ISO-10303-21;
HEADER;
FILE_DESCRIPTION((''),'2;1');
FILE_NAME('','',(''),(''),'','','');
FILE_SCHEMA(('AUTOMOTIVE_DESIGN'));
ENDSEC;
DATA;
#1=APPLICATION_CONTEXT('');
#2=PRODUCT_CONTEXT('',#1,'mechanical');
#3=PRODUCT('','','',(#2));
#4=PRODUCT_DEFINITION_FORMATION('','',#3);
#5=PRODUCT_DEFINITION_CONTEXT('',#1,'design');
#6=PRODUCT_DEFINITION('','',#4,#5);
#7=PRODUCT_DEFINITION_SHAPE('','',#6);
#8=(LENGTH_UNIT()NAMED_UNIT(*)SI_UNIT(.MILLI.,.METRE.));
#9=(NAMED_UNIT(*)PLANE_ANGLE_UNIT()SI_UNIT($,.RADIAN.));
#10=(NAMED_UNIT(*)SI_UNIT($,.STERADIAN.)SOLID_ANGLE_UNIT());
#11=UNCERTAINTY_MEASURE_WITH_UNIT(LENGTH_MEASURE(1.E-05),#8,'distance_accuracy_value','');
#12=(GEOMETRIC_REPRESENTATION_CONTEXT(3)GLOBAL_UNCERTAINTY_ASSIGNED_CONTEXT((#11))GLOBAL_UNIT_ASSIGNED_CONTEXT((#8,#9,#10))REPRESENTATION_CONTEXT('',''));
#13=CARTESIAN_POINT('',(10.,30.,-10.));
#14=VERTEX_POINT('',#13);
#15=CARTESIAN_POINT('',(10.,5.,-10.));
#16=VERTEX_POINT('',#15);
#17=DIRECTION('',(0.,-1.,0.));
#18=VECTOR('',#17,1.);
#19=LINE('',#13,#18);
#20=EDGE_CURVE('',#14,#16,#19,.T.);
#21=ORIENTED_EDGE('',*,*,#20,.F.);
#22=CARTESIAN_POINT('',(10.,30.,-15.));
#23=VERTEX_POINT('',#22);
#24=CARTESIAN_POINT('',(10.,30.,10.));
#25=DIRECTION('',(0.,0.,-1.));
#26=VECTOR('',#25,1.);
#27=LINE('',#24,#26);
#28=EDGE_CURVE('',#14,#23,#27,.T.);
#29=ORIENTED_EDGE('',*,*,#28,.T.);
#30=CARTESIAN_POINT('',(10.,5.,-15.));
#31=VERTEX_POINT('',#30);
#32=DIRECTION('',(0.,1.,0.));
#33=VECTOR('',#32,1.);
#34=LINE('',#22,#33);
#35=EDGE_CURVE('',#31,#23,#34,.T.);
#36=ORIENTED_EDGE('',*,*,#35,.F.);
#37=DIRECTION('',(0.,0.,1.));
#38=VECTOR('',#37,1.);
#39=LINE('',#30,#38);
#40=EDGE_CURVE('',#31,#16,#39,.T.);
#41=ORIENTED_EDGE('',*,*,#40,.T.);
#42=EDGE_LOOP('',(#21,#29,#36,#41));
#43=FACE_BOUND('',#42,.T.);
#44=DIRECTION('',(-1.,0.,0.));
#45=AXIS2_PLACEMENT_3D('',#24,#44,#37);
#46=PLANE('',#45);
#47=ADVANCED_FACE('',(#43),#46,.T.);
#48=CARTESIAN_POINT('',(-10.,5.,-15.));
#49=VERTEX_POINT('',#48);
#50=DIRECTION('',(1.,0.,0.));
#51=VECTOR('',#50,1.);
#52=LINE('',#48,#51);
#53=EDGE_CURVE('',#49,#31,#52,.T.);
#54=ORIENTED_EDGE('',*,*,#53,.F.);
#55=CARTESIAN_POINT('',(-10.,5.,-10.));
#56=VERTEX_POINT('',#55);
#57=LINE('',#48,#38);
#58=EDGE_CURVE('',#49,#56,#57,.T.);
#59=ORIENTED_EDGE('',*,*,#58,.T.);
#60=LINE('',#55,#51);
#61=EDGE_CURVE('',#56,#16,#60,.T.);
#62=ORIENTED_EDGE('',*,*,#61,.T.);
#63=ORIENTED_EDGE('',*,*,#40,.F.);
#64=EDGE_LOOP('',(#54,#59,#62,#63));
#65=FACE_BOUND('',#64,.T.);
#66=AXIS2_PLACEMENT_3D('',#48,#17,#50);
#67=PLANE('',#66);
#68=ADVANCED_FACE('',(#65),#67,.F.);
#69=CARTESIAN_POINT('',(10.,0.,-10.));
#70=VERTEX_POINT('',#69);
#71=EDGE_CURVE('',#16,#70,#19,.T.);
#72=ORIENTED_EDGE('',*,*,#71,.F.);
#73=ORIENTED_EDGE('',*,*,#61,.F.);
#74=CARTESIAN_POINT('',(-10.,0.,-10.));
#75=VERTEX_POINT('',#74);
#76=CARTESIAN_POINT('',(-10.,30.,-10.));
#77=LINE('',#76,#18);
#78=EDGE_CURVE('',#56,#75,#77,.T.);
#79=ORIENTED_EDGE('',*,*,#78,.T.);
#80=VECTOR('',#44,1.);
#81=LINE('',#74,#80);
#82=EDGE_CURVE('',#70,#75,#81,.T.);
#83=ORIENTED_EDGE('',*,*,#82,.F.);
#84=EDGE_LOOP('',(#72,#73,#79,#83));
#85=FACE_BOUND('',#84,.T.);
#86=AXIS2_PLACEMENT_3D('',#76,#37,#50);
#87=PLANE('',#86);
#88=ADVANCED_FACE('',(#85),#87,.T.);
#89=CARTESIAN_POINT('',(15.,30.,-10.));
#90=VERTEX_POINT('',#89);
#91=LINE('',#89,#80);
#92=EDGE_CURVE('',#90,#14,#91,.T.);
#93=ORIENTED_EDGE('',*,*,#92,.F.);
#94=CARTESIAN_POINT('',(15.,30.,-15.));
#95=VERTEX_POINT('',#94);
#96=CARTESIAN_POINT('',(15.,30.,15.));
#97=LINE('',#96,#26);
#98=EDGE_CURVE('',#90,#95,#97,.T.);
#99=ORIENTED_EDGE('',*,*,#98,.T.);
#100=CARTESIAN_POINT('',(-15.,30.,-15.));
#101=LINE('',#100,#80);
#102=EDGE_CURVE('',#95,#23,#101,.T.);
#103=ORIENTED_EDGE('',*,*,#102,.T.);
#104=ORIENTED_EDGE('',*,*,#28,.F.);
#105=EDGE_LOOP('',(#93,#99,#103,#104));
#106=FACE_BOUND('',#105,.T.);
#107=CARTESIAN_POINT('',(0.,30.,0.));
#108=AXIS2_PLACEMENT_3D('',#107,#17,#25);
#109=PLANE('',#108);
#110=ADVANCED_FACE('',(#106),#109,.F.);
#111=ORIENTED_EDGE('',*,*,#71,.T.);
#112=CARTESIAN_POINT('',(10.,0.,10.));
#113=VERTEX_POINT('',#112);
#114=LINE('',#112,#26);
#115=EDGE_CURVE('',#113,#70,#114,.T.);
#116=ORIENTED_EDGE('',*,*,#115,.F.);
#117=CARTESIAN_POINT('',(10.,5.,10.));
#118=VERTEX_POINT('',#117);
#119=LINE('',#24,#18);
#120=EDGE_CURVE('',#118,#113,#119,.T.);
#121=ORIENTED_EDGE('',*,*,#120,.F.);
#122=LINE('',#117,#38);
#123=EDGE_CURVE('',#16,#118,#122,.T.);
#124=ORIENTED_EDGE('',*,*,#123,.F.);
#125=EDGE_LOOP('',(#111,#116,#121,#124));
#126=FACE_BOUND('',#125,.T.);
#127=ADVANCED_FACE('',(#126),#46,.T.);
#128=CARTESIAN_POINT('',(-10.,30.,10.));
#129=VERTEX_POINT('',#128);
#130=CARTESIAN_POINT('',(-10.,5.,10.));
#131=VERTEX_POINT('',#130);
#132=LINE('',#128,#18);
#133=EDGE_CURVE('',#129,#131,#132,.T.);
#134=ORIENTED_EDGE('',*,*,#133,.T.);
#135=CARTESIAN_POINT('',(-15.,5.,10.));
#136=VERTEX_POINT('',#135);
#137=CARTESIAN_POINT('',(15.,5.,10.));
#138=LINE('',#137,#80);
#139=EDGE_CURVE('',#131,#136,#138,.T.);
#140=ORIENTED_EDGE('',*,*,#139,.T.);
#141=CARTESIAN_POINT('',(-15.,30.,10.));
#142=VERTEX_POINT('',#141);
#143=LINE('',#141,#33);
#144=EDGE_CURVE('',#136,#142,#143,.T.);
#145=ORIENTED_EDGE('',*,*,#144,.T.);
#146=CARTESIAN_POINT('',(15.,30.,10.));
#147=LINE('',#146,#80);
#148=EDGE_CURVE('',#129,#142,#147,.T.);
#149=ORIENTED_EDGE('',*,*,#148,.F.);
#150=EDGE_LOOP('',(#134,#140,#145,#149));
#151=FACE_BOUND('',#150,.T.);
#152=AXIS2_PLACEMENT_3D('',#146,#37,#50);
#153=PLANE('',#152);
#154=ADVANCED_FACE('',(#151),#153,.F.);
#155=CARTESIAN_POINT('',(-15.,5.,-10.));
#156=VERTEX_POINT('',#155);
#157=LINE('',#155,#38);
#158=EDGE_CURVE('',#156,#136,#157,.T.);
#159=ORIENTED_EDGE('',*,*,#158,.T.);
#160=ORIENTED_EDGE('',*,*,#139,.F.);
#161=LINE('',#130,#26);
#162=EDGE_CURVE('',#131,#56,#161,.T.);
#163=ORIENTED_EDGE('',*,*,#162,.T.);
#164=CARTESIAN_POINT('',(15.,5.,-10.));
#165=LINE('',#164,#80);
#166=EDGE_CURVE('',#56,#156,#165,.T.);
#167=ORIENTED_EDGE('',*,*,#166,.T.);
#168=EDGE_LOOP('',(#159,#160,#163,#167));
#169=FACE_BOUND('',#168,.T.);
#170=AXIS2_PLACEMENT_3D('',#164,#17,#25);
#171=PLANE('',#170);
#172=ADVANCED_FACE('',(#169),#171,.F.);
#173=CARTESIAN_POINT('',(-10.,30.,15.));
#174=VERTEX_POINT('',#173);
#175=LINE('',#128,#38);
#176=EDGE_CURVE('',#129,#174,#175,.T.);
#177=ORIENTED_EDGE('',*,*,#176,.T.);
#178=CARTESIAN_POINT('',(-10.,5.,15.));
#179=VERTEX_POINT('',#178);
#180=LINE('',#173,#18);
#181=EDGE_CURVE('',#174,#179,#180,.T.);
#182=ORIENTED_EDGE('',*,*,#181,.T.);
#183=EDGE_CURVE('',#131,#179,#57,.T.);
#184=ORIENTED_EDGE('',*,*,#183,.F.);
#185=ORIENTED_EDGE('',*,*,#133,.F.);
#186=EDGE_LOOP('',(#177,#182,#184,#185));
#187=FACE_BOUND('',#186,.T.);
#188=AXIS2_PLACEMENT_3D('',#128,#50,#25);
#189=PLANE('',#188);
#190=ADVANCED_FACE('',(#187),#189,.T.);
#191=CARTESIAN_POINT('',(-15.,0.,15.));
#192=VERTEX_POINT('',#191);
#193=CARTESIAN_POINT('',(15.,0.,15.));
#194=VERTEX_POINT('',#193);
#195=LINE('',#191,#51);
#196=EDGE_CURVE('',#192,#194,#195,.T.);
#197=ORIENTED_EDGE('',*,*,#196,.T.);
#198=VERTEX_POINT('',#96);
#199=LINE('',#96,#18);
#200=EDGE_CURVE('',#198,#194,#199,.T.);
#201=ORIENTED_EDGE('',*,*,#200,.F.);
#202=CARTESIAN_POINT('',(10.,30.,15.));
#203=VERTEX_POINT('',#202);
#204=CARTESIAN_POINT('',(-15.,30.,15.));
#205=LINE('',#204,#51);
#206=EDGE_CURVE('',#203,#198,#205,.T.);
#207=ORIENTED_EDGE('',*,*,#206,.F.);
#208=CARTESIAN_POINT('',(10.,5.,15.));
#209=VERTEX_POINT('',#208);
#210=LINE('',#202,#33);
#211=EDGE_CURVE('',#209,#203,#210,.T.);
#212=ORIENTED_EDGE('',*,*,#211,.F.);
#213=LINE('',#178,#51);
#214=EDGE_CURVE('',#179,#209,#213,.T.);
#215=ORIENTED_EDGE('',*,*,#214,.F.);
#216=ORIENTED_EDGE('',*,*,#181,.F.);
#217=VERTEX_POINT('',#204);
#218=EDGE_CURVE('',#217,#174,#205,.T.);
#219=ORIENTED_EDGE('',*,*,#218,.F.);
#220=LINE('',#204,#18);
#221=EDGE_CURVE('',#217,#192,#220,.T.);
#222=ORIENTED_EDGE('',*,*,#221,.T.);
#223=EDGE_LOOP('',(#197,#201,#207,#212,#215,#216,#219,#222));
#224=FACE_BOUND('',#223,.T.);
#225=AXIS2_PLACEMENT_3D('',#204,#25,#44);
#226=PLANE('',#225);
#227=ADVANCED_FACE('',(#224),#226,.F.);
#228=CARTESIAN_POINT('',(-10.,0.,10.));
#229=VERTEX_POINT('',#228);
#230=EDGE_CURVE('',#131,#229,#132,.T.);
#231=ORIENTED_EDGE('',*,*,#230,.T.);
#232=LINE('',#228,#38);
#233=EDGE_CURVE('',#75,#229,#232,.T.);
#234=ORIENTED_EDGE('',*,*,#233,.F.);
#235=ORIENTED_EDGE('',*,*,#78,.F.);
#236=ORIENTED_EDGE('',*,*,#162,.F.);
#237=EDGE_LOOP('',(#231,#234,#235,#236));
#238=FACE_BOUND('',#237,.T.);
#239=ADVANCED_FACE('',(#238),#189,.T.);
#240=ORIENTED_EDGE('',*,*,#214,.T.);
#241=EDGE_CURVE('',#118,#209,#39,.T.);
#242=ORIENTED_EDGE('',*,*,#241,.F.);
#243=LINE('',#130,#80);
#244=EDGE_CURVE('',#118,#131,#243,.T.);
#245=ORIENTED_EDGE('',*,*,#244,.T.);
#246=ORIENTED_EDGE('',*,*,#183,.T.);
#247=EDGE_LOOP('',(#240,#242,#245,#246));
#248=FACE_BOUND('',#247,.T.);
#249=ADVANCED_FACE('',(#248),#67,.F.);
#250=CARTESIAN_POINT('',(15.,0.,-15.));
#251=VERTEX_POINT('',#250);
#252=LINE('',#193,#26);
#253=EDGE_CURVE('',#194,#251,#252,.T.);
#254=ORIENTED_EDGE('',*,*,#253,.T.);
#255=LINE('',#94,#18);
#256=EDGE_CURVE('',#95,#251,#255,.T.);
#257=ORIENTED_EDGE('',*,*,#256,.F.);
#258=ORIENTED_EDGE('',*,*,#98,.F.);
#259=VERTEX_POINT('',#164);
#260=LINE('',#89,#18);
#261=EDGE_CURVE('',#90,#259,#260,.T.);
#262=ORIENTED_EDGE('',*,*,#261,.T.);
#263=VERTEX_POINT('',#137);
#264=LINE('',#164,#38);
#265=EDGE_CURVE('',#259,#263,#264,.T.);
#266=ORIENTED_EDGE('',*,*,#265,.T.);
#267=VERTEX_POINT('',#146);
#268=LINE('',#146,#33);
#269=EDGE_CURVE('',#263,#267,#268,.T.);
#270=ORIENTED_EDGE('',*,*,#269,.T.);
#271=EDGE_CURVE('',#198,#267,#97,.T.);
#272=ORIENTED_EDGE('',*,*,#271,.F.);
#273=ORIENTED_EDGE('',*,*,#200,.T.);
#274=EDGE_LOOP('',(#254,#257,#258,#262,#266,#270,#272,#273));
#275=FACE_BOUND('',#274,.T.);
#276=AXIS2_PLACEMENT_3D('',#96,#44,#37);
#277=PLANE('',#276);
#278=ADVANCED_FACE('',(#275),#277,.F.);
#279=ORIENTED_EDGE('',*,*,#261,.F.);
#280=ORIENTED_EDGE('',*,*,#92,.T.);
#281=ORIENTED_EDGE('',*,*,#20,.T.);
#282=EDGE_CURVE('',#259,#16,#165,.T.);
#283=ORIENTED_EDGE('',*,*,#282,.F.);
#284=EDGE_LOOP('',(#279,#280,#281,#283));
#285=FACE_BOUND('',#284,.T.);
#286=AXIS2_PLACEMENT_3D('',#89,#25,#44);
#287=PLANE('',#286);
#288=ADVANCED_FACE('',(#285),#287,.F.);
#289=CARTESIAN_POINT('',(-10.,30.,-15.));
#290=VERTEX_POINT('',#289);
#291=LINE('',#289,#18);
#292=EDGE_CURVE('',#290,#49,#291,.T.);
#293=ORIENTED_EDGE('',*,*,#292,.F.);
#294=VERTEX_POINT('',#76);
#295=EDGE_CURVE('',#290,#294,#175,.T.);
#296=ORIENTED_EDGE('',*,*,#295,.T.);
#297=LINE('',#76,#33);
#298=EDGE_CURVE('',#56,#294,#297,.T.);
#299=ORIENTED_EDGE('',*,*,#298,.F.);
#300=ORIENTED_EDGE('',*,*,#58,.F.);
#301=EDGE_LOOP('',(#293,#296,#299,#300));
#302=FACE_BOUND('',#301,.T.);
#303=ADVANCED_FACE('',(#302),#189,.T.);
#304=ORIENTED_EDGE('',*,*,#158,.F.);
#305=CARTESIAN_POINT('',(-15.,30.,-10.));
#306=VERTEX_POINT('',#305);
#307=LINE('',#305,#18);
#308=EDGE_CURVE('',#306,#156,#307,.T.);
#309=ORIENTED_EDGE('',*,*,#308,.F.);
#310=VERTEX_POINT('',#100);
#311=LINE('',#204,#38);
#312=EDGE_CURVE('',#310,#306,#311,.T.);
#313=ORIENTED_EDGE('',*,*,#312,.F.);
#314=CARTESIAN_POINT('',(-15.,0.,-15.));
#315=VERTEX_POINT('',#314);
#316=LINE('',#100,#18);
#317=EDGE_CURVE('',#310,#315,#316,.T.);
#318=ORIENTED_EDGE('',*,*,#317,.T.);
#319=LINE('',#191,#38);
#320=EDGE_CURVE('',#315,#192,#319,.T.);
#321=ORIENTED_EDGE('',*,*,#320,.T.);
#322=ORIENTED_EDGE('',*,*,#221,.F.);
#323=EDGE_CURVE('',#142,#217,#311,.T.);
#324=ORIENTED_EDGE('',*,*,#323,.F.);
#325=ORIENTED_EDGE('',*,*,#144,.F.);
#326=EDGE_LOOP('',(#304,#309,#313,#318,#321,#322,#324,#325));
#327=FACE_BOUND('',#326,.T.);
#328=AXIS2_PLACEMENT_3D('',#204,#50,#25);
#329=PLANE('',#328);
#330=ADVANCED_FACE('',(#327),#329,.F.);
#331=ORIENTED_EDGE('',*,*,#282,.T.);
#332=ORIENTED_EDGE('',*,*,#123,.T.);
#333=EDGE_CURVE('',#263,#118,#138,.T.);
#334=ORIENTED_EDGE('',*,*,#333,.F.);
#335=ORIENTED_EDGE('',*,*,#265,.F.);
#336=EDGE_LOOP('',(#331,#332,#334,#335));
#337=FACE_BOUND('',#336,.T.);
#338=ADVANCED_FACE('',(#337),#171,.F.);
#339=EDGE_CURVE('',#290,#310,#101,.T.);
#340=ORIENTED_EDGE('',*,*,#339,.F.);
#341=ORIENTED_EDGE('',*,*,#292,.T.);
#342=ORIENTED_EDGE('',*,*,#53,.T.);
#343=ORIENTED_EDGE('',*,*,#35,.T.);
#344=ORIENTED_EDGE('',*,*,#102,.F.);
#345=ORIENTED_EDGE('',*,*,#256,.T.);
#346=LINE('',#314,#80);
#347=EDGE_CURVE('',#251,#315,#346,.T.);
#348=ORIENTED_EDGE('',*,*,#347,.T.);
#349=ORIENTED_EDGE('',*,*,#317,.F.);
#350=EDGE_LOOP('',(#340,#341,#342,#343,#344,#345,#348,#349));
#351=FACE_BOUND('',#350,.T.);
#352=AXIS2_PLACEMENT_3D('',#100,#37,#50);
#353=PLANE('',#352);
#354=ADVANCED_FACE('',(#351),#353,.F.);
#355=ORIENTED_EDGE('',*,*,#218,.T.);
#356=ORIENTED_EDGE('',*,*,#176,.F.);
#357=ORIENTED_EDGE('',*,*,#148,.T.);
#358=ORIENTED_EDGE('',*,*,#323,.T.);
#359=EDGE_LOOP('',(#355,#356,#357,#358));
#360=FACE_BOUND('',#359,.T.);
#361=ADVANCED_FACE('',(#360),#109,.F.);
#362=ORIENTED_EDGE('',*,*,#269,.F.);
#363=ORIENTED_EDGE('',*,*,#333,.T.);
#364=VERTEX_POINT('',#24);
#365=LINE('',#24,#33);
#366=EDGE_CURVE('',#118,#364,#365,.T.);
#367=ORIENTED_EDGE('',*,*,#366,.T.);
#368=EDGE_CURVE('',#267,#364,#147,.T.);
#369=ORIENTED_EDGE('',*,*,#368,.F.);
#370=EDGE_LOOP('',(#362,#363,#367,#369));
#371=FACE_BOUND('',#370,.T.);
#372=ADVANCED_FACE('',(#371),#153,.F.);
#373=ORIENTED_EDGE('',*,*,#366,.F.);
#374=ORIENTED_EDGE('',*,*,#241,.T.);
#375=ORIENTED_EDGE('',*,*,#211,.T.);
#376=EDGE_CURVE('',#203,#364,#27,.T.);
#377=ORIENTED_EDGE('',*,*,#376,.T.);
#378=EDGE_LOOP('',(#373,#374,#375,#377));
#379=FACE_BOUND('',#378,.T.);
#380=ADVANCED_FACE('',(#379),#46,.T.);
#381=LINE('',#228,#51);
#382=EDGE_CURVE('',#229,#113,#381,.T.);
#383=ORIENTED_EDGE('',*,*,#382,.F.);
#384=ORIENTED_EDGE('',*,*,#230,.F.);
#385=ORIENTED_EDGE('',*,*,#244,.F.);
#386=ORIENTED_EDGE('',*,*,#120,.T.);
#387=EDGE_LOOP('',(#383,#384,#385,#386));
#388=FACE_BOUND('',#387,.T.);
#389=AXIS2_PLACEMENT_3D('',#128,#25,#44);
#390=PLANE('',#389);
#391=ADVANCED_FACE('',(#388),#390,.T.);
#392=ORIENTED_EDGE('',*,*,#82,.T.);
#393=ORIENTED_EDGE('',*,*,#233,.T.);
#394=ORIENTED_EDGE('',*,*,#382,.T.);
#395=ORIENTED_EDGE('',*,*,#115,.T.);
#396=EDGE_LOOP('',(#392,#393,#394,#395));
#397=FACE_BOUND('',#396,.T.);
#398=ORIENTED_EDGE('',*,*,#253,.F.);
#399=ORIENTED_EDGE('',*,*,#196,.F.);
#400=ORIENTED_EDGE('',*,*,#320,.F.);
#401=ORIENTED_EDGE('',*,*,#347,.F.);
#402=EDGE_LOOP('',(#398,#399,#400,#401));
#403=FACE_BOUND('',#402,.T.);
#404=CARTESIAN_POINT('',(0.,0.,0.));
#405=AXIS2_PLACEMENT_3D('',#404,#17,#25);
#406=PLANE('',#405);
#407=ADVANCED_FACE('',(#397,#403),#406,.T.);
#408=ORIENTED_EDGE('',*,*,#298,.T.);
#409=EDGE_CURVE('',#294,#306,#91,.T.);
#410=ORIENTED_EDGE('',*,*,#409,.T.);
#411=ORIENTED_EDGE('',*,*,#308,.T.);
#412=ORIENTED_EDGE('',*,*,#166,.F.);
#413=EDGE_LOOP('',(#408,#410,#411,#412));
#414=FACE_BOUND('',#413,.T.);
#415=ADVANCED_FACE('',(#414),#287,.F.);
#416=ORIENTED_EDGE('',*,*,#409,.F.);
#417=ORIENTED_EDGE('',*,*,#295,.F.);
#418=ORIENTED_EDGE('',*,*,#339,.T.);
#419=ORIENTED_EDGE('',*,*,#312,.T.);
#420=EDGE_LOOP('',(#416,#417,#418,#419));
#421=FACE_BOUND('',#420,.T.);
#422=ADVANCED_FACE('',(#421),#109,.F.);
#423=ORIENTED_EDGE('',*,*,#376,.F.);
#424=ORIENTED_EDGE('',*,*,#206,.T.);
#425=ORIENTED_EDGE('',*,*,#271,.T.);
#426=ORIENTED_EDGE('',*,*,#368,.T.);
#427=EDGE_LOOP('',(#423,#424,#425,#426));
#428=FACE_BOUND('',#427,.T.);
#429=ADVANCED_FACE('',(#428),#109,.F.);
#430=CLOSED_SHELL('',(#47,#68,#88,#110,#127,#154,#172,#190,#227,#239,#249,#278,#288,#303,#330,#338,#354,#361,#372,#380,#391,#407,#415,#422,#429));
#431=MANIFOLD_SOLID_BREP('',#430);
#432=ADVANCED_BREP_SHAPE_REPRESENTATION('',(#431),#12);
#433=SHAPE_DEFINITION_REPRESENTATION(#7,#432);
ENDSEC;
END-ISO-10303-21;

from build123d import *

# Parameters (mm, degrees)
ESQUISSE1_W             = 30
ESQUISSE1_H             = 30
ESQUISSE1_W_2           = 20
ESQUISSE1_H_2           = 20
BOSS_EXTRU_1_DEPTH      = 30
ESQUISSE3_W             = 20
ESQUISSE3_H             = 25
ENL_V_MAT_EXTRU_1_DEPTH = 31
ESQUISSE4_W             = 20
ESQUISSE4_H             = 25
ENL_V_MAT_EXTRU_2_DEPTH = 31


with BuildPart() as part:
    # Esquisse1 → Boss.-Extru.1 (new body)
    with BuildSketch(Plane(origin=(0, 0, 0), x_dir=(1, 0, 0), z_dir=(0, 1, 0))):
        Rectangle(ESQUISSE1_W, ESQUISSE1_H)
        Rectangle(ESQUISSE1_W_2, ESQUISSE1_H_2, mode=Mode.SUBTRACT)
    extrude(amount=BOSS_EXTRU_1_DEPTH)

    # Esquisse3 → Enlèv. mat.-Extru.1 (cut, through all)
    with BuildSketch(Plane.XY.offset(15)):
        with Locations((0, 17.5)):
            Rectangle(ESQUISSE3_W, ESQUISSE3_H)
    extrude(amount=-ENL_V_MAT_EXTRU_1_DEPTH, mode=Mode.SUBTRACT)

    # Esquisse4 → Enlèv. mat.-Extru.2 (cut, through all)
    with BuildSketch(Plane.ZY.offset(15)):
        with Locations((0, 17.5)):
            Rectangle(ESQUISSE4_W, ESQUISSE4_H)
    extrude(amount=-ENL_V_MAT_EXTRU_2_DEPTH, mode=Mode.SUBTRACT)


solid = part.part
